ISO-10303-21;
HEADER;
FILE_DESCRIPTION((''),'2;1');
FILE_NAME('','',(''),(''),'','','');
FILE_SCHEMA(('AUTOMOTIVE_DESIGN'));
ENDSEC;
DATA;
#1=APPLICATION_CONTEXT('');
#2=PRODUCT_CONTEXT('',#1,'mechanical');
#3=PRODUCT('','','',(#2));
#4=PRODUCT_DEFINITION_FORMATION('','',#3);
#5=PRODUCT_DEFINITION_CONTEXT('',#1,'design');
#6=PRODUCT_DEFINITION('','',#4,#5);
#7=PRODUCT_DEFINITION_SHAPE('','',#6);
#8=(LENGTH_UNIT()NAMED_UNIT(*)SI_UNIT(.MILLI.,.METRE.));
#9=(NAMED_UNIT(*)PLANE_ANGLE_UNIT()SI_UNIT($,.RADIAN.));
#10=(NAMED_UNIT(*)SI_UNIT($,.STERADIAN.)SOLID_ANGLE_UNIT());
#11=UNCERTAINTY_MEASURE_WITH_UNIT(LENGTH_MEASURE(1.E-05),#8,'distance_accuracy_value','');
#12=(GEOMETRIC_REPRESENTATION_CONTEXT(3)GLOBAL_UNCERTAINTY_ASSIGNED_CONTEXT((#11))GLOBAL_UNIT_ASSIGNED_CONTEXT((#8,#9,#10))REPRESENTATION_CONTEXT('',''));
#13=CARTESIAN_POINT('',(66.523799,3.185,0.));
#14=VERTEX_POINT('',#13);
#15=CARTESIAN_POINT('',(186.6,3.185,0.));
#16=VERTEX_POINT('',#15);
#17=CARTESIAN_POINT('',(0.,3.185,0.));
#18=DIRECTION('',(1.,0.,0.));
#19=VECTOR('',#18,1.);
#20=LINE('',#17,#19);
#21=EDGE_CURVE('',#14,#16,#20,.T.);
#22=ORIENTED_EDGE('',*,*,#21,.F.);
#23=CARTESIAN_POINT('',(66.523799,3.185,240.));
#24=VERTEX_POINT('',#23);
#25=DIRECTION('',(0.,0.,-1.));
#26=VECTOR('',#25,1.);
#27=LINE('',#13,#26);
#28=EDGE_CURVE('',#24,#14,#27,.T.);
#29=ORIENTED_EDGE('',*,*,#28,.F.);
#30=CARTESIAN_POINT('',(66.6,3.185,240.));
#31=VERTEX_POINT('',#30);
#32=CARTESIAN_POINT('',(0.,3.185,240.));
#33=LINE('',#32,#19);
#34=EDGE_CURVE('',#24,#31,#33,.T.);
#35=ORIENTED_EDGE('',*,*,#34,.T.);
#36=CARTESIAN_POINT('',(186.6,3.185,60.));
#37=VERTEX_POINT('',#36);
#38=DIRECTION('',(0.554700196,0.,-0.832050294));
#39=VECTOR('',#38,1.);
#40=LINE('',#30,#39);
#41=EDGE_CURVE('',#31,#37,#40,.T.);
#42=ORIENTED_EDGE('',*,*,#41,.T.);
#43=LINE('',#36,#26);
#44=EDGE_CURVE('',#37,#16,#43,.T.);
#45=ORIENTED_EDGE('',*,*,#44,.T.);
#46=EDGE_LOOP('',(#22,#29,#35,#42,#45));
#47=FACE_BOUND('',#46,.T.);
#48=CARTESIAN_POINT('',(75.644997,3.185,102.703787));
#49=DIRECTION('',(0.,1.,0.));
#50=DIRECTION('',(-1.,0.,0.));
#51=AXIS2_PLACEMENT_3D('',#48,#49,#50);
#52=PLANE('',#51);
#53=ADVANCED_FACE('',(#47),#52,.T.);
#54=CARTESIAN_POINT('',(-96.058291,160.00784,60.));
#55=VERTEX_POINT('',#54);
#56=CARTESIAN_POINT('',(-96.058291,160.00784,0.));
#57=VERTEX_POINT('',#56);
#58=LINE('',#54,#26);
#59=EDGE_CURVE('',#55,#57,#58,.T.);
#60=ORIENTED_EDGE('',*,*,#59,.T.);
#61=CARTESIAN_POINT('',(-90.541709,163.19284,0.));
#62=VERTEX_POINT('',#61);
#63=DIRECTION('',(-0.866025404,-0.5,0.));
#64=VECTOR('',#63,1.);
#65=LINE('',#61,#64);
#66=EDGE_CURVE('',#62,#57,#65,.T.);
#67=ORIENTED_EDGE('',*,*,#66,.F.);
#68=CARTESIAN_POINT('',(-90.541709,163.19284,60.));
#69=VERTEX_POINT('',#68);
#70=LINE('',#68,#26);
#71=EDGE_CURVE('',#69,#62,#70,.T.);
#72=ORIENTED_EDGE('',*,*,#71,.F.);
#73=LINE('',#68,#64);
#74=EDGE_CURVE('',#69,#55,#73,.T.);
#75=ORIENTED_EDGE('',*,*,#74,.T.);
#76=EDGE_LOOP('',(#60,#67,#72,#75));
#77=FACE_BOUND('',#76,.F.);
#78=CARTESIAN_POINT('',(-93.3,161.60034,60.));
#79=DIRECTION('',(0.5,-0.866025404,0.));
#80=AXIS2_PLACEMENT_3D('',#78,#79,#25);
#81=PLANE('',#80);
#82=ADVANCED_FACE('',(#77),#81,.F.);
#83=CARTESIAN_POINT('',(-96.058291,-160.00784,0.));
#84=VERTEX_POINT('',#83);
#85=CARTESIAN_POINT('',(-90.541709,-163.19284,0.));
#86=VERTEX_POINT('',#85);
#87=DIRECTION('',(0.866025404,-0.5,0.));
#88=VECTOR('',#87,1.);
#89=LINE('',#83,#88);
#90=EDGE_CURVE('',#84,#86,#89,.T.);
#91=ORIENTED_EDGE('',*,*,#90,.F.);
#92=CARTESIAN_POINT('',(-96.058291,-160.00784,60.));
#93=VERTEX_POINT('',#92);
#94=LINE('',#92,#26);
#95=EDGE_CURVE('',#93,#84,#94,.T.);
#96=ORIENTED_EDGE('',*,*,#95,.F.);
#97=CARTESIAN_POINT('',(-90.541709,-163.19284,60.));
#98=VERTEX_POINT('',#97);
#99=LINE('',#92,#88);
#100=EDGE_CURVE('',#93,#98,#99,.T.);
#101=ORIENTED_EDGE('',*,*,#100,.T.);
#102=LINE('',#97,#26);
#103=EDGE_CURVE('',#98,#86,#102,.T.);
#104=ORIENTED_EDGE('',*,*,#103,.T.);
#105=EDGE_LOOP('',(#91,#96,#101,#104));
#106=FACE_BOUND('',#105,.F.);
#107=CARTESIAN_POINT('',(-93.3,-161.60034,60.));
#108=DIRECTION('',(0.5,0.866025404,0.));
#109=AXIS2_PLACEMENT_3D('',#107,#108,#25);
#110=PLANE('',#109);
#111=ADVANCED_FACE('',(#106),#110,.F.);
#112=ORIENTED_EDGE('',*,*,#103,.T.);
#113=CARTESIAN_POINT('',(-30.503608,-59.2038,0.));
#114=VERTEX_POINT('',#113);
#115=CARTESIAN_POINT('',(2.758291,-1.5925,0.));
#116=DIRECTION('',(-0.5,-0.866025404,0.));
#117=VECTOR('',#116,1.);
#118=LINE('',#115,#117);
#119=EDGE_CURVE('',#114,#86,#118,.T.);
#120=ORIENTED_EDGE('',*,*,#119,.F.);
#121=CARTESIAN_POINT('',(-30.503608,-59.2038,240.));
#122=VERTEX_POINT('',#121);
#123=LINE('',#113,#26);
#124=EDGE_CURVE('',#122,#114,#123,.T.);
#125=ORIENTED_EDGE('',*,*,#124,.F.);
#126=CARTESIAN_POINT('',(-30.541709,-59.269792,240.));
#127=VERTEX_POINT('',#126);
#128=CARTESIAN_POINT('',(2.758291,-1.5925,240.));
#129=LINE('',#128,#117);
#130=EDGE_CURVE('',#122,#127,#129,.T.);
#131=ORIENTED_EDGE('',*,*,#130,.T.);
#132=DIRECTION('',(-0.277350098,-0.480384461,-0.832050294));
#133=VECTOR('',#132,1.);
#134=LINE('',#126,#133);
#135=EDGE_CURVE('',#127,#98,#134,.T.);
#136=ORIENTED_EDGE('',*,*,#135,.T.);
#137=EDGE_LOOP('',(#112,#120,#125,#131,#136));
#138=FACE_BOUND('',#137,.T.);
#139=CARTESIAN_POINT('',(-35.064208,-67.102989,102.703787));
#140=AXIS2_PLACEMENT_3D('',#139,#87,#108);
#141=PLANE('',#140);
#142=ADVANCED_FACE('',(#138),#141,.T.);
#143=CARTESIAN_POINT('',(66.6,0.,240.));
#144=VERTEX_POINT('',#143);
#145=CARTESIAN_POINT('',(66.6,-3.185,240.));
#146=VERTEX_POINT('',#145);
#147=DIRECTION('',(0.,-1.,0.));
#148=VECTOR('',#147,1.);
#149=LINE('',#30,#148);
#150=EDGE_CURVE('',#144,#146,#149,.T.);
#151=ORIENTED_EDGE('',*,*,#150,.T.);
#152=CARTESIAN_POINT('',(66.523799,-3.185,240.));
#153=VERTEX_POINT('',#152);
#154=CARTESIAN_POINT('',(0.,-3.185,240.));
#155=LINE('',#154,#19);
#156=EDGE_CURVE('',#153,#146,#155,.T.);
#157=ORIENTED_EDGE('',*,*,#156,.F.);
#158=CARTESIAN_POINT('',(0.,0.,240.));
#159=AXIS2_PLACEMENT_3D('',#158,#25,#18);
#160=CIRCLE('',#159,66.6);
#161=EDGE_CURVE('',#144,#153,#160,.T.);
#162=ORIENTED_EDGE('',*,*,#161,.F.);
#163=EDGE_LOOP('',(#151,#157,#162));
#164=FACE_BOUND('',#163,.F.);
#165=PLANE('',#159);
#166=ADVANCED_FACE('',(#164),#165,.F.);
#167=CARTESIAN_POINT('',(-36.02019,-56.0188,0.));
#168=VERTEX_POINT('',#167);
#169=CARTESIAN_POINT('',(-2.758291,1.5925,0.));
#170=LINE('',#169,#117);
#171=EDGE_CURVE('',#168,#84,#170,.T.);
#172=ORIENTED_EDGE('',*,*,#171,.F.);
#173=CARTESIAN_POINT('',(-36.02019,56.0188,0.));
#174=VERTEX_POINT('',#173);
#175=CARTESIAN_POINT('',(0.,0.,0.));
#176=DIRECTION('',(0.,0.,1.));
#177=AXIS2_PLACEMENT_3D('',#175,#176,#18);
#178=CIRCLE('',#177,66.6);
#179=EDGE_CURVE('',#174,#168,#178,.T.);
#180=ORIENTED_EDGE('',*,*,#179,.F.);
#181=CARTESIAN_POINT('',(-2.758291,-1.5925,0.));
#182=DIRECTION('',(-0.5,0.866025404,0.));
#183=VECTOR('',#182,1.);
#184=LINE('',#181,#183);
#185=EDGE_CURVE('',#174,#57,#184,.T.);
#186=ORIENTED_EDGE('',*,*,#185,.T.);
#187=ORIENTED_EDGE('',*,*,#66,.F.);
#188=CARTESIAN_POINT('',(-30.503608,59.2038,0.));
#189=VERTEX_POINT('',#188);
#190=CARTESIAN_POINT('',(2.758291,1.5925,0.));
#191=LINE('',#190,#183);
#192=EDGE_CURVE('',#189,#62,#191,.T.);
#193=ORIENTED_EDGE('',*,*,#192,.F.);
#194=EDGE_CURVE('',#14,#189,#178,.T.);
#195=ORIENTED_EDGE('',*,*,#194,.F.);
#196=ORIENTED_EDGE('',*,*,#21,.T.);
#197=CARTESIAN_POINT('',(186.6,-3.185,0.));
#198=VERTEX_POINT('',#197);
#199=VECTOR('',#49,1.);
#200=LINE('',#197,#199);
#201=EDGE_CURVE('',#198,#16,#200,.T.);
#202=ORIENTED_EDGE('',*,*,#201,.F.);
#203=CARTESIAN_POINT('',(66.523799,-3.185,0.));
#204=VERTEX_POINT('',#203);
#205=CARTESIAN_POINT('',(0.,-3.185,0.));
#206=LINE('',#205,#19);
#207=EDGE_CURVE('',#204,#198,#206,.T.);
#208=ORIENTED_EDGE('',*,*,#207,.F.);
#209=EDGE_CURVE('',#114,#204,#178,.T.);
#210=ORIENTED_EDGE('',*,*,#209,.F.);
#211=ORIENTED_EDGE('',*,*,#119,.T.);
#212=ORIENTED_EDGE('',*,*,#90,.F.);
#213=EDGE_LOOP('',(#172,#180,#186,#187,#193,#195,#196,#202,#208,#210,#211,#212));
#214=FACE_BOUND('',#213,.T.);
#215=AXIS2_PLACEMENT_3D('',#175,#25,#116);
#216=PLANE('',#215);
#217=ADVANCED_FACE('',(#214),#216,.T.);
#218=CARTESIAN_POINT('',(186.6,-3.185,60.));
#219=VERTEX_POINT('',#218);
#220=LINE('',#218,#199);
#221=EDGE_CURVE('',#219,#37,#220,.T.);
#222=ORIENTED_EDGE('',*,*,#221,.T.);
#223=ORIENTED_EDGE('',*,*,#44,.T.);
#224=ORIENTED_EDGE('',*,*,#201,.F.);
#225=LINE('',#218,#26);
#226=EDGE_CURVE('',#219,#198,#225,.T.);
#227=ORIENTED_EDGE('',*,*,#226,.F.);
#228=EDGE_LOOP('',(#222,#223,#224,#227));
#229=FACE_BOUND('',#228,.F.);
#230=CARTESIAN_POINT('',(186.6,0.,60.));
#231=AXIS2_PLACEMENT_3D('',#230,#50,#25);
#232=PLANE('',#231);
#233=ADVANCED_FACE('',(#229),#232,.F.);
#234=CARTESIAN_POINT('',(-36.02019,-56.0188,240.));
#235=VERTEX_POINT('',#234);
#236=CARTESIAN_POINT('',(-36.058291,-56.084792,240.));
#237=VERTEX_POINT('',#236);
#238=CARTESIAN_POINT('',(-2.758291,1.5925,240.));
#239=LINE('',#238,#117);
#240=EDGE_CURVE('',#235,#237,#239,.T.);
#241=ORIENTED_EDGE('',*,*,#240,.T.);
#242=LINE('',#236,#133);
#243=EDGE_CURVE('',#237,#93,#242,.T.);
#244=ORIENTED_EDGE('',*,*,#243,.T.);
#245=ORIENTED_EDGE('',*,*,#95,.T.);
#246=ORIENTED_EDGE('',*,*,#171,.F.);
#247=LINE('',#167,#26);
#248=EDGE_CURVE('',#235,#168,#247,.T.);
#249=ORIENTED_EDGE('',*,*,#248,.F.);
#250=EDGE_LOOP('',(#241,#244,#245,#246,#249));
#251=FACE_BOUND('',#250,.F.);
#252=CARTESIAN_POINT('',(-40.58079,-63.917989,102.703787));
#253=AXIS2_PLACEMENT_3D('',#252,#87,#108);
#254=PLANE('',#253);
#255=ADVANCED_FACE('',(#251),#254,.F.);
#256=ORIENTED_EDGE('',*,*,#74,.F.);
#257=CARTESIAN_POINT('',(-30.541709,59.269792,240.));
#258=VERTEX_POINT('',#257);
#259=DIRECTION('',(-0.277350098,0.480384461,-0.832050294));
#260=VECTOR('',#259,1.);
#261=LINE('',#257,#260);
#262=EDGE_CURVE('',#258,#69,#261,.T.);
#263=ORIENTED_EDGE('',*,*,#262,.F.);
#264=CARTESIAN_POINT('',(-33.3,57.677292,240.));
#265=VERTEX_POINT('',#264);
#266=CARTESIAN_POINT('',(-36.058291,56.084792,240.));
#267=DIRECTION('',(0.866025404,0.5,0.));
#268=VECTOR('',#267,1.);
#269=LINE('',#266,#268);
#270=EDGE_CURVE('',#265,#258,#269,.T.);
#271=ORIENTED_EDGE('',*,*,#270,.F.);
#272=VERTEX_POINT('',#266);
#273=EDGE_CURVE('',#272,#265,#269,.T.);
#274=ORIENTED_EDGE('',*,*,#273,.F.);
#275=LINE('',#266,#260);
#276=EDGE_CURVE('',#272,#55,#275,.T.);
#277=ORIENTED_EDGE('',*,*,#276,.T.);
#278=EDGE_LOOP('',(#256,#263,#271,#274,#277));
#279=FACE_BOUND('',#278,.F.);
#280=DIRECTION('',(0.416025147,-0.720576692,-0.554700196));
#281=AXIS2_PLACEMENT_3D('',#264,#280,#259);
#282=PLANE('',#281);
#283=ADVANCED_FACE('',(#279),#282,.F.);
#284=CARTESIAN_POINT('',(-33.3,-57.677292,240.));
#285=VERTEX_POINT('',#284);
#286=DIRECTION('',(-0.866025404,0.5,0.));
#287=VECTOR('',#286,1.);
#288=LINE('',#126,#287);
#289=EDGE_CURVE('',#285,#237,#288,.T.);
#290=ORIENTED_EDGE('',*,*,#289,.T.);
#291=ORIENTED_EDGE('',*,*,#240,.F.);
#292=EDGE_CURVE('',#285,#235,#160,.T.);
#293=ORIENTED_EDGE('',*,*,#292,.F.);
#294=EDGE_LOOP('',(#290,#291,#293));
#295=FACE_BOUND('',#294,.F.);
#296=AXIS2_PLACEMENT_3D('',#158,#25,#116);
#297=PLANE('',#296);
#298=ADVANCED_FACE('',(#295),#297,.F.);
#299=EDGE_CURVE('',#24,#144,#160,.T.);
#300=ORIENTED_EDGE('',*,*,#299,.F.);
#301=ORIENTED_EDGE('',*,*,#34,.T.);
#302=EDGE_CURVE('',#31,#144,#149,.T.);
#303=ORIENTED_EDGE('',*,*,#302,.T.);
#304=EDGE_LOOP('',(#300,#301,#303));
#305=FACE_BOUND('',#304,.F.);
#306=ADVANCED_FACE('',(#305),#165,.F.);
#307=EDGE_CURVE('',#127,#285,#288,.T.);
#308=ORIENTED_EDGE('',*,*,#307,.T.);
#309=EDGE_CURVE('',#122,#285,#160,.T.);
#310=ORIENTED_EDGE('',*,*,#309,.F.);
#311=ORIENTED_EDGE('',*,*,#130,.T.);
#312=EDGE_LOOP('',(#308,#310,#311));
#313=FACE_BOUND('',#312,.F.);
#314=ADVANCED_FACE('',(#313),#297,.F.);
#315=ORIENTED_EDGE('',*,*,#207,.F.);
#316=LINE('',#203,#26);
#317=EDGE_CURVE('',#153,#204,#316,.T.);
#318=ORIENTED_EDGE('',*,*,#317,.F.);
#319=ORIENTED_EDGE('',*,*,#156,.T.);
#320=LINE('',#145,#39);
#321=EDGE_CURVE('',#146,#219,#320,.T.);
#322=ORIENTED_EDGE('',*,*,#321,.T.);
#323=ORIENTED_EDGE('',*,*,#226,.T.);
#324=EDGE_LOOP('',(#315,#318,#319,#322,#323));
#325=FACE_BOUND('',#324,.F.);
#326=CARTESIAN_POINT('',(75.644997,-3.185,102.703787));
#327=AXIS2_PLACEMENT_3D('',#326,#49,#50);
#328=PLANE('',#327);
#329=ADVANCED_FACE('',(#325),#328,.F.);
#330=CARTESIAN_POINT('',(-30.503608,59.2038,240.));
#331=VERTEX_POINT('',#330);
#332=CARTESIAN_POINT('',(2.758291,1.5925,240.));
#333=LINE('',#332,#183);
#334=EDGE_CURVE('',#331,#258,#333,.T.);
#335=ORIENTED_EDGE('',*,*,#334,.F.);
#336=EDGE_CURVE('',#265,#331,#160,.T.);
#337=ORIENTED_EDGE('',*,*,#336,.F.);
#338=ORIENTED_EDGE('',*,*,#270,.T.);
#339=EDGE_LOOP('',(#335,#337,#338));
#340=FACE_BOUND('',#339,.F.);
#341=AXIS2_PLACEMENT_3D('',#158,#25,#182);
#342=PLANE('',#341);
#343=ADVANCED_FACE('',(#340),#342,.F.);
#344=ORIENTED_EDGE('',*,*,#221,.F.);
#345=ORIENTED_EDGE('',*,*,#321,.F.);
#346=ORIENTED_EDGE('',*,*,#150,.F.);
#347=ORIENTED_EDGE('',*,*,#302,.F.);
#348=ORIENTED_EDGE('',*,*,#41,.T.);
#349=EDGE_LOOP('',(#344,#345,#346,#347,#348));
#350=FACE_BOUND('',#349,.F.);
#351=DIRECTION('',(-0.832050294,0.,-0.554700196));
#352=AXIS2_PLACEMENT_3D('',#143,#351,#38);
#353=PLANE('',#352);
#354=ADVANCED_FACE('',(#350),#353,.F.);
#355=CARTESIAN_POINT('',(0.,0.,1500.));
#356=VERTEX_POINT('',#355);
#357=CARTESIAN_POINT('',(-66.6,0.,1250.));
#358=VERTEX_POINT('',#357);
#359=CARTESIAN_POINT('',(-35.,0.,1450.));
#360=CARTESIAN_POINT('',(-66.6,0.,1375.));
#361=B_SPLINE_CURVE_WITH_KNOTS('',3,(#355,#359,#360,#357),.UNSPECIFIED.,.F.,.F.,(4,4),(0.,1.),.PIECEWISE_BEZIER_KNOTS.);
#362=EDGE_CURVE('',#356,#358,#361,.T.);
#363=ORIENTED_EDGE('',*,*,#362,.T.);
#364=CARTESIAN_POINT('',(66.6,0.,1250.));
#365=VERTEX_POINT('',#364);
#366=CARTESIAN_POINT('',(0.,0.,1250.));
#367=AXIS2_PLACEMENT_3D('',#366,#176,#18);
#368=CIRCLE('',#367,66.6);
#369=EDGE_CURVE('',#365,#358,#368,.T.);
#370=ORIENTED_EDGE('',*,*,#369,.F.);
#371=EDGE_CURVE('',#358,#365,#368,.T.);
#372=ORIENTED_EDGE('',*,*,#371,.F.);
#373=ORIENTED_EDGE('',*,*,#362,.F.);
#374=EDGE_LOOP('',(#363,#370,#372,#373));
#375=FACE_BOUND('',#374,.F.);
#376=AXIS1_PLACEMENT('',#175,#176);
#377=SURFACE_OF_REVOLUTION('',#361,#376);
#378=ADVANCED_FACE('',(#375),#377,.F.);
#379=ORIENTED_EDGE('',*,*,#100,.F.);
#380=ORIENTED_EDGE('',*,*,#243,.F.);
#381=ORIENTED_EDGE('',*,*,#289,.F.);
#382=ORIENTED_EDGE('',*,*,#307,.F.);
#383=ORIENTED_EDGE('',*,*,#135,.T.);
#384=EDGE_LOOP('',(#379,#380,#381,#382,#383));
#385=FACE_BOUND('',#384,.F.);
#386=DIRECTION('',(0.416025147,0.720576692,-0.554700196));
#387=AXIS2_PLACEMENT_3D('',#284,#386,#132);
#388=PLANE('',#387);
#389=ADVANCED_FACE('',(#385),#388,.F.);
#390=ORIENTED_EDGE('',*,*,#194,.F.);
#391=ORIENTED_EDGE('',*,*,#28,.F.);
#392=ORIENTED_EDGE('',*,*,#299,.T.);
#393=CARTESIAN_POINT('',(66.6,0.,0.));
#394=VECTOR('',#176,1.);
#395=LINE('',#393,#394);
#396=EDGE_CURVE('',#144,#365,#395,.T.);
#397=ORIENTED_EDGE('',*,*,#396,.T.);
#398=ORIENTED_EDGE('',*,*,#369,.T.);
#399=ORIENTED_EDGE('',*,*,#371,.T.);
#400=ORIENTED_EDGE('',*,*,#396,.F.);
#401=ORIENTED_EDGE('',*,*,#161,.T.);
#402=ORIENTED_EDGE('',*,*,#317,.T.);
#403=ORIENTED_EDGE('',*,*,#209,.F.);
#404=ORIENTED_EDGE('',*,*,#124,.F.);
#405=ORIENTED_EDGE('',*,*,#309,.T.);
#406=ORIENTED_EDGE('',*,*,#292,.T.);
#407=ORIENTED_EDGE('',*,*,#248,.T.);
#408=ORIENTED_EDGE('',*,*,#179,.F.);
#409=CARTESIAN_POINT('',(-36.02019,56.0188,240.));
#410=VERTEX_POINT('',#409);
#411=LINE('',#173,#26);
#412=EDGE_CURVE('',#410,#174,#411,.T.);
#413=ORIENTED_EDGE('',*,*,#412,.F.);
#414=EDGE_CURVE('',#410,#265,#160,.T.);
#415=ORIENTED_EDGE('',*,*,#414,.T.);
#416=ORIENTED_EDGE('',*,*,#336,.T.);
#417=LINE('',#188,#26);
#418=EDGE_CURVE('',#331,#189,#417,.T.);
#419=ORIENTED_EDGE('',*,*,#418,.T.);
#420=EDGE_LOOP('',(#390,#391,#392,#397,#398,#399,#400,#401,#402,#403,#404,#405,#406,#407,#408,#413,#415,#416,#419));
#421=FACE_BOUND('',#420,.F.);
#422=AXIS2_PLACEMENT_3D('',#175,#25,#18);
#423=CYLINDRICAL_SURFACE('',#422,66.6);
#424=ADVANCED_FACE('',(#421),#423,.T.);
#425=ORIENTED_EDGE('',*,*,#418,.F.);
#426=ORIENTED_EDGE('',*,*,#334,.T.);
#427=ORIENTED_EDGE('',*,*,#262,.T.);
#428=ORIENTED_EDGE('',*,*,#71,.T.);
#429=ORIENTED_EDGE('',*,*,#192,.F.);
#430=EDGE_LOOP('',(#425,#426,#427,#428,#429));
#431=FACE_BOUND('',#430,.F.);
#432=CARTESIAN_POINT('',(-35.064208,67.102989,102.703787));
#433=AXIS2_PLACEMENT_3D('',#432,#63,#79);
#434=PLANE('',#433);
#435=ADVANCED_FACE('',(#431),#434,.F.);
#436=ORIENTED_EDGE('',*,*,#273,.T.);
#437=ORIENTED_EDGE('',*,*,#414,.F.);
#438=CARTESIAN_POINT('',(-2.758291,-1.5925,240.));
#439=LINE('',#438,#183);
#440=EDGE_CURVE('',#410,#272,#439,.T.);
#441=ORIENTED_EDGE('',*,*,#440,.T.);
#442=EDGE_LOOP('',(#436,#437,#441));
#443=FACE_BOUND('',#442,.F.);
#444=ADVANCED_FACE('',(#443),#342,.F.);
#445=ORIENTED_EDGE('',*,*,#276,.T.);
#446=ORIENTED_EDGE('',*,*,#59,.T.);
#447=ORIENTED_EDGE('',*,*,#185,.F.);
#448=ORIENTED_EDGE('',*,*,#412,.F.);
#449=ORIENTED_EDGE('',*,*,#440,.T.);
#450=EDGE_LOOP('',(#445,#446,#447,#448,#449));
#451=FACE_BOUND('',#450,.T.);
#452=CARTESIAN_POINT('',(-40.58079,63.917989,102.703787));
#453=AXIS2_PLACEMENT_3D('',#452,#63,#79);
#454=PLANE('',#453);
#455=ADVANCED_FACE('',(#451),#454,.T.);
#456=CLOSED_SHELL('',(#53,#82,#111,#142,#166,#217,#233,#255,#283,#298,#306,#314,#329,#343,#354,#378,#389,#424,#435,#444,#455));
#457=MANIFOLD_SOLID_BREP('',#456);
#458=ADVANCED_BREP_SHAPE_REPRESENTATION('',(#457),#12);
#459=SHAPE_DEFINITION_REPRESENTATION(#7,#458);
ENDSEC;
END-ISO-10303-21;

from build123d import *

# Parameters (mm, degrees)
SKETCH_R           = 66.6
PAD_DEPTH          = 1250
PAD001_DEPTH       = 3.185
POLARPATTERN_COUNT = 3


with BuildPart() as part:
    # Sketch → Pad (new body)
    with BuildSketch(Plane.XY):
        Circle(SKETCH_R)
    extrude(amount=PAD_DEPTH)

    # Sketch001 → Revolution (revolve)
    with BuildSketch(Plane.XZ):
        with BuildLine():
            Line((0, 1500), (0, 1250))
            Line((0, 1250), (-66.6, 1250))
            add(Edge.make_bspline(
                [(0, 1500), (-35, 1450), (-66.6, 1375), (-66.6, 1250)],
                knots=[0, 0, 0, 0, 1, 1, 1, 1], degree=3))
        make_face()
    revolve(axis=Axis((0, 0, 0), (0, 0, 1)))

    # Sketch002 → Pad001 (join, symmetric)
    with BuildSketch(Plane.XZ):
        Polygon((66.6, 240), (186.6, 60), (186.6, 0), (66.6, 0), (0, 0), (0, 240), align=None)
    pad001 = extrude(amount=PAD001_DEPTH, both=True)

    # PolarPattern: Pad001 ×3 about axis
    polarpattern_axis = Axis((0, 0, 0), (0, 0, 1))
    for i in range(1, POLARPATTERN_COUNT):
        add(pad001.rotate(polarpattern_axis, i * 360 / POLARPATTERN_COUNT))


solid = part.part
